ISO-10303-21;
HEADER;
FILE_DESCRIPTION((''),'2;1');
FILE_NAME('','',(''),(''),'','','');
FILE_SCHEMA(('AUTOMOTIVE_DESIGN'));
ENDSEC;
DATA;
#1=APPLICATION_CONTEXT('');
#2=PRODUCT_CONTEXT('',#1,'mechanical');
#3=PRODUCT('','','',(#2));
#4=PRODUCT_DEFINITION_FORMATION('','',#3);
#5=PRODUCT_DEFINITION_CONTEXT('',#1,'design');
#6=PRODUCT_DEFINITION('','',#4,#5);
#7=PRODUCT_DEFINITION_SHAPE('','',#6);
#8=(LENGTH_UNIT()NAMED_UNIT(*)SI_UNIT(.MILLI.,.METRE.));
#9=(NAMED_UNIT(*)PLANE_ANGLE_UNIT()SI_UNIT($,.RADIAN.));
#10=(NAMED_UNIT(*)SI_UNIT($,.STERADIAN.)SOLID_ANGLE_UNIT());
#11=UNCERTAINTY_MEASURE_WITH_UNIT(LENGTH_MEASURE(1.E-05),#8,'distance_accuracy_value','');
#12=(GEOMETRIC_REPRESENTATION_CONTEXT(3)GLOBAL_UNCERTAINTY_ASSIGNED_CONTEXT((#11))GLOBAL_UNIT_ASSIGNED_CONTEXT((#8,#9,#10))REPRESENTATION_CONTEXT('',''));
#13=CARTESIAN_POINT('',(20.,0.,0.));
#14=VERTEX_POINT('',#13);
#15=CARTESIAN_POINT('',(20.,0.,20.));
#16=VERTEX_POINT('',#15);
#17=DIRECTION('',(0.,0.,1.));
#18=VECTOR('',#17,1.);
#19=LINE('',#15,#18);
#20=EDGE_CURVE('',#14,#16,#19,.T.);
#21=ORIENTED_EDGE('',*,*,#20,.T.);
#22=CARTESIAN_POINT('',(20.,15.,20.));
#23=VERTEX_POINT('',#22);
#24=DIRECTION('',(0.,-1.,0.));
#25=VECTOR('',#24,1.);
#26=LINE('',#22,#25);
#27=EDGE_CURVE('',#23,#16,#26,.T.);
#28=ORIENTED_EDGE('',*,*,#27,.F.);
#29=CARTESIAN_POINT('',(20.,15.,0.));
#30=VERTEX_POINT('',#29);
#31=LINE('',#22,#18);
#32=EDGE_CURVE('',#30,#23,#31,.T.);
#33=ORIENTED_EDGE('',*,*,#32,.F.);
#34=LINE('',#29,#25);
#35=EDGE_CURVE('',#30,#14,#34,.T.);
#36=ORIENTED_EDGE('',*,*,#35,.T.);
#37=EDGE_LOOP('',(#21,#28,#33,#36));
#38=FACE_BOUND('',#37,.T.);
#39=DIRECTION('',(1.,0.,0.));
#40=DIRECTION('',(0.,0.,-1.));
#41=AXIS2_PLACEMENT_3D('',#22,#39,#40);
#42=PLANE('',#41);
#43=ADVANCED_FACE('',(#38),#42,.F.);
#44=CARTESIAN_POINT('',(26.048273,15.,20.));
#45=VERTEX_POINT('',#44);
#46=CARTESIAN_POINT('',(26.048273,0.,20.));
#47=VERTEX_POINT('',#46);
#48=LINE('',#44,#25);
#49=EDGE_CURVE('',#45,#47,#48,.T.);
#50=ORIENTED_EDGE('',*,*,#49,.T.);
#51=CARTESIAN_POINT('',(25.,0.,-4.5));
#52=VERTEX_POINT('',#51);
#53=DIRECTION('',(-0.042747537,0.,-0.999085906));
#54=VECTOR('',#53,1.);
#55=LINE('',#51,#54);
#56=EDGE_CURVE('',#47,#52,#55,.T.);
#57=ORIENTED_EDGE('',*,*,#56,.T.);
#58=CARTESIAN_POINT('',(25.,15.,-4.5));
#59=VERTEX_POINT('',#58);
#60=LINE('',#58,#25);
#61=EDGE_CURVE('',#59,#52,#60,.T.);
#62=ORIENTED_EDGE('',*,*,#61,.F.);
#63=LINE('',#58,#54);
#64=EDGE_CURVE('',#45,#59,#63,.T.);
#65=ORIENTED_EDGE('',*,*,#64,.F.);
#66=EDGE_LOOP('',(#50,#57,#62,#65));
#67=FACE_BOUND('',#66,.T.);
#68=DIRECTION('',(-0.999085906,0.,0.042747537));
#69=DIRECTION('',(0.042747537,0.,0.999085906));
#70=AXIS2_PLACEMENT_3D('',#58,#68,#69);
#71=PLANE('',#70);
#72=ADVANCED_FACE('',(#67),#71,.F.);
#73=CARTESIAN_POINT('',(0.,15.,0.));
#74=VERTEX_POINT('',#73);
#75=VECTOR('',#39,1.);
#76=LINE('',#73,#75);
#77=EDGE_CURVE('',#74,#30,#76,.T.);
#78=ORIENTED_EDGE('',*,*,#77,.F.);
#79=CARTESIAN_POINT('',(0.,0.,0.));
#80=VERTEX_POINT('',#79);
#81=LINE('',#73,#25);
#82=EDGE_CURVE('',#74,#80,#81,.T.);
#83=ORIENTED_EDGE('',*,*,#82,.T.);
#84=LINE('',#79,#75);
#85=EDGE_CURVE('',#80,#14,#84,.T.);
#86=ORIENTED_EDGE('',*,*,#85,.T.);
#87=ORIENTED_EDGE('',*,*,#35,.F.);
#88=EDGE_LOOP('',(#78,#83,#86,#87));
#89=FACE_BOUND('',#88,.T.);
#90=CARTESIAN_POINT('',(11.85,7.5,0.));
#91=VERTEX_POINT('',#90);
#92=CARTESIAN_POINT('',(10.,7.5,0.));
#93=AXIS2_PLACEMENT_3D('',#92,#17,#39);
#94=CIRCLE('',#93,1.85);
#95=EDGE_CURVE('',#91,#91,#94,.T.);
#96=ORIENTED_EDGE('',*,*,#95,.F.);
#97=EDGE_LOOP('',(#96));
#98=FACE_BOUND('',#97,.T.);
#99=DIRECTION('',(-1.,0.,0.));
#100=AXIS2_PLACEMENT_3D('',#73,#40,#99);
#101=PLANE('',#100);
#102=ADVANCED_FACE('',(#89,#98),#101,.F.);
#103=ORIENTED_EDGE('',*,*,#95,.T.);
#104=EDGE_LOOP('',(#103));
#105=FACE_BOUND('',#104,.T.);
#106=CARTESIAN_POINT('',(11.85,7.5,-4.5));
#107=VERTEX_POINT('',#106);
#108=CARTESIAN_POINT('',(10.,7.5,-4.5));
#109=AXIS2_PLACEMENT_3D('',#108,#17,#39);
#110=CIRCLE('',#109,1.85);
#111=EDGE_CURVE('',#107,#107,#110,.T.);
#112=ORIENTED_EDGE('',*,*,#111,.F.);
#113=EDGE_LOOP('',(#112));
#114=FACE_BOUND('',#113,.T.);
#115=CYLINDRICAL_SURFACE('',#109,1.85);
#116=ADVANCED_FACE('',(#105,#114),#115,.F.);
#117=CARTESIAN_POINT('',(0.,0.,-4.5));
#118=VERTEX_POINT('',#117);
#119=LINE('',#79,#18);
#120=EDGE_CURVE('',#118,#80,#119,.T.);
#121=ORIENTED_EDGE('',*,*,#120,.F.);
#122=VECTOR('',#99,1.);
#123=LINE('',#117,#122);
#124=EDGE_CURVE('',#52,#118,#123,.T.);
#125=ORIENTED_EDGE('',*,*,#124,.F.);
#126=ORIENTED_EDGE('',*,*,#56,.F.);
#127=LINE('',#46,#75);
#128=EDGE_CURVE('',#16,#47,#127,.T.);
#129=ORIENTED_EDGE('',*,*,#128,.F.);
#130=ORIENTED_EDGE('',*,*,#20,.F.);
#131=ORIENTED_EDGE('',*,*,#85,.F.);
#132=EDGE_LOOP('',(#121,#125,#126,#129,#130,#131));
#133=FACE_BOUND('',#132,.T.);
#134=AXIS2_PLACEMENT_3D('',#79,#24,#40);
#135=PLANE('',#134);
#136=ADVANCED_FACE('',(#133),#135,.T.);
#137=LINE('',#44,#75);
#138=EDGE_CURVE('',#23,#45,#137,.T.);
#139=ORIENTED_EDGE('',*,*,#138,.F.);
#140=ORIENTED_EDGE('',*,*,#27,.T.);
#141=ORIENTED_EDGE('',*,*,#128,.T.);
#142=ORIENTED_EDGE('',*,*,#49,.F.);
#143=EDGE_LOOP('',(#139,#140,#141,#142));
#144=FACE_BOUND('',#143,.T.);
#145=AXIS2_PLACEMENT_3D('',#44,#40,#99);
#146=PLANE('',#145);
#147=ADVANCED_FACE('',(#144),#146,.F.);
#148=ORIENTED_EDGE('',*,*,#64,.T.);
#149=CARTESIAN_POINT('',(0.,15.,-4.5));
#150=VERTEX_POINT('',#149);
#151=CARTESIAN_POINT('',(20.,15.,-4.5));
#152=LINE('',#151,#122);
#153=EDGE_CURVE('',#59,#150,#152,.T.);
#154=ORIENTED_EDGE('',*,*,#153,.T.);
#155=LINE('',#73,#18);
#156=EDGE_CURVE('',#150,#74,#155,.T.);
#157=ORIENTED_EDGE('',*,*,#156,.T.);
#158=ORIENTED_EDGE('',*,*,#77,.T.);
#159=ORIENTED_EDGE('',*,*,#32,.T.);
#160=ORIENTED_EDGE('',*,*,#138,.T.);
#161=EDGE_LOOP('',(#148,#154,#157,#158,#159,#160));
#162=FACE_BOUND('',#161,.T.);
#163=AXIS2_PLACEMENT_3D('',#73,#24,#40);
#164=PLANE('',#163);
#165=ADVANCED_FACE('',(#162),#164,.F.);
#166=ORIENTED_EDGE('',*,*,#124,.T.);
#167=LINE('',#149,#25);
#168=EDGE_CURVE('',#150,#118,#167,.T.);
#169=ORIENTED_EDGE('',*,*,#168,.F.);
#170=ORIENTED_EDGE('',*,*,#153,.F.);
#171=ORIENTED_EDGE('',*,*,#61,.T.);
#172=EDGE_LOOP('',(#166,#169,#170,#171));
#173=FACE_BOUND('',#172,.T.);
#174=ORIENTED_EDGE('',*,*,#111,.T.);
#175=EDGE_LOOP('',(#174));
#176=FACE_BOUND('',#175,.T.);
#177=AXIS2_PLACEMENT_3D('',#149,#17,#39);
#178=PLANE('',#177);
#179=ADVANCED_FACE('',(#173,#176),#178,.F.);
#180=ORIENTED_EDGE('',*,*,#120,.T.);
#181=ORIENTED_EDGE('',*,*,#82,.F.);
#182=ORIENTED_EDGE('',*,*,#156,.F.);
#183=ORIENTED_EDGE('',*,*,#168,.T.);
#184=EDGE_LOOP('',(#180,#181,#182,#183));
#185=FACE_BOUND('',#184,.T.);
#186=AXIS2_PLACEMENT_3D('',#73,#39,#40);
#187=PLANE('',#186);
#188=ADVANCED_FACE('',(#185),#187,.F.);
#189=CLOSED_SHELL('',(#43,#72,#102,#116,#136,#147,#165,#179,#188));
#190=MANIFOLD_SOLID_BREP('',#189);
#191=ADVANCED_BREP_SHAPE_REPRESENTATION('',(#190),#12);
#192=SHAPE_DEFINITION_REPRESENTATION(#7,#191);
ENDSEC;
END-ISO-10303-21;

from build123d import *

# Parameters (mm, degrees)
BOSS_EXTRUDE1_DEPTH = 15
SKETCH2_R           = 1.85
CUT_EXTRUDE1_DEPTH  = 37.104189779


with BuildPart() as part:
    # Sketch1 → Boss-Extrude1 (new body)
    with BuildSketch(Plane(origin=(0, 0, 0), x_dir=(1, 0, 0), z_dir=(0, 1, 0))):
        Polygon((20, 4.5), (25, 4.5), (26.048272872, -20), (20, -20), (20, 0), (0, 0), (0, 4.5), align=None)
    extrude(amount=BOSS_EXTRUDE1_DEPTH)

    # Sketch2 → Cut-Extrude1 (cut, through all)
    with BuildSketch(Plane.XY):
        with Locations((10, 7.5)):
            Circle(SKETCH2_R)
    extrude(amount=-CUT_EXTRUDE1_DEPTH, mode=Mode.SUBTRACT)


solid = part.part
